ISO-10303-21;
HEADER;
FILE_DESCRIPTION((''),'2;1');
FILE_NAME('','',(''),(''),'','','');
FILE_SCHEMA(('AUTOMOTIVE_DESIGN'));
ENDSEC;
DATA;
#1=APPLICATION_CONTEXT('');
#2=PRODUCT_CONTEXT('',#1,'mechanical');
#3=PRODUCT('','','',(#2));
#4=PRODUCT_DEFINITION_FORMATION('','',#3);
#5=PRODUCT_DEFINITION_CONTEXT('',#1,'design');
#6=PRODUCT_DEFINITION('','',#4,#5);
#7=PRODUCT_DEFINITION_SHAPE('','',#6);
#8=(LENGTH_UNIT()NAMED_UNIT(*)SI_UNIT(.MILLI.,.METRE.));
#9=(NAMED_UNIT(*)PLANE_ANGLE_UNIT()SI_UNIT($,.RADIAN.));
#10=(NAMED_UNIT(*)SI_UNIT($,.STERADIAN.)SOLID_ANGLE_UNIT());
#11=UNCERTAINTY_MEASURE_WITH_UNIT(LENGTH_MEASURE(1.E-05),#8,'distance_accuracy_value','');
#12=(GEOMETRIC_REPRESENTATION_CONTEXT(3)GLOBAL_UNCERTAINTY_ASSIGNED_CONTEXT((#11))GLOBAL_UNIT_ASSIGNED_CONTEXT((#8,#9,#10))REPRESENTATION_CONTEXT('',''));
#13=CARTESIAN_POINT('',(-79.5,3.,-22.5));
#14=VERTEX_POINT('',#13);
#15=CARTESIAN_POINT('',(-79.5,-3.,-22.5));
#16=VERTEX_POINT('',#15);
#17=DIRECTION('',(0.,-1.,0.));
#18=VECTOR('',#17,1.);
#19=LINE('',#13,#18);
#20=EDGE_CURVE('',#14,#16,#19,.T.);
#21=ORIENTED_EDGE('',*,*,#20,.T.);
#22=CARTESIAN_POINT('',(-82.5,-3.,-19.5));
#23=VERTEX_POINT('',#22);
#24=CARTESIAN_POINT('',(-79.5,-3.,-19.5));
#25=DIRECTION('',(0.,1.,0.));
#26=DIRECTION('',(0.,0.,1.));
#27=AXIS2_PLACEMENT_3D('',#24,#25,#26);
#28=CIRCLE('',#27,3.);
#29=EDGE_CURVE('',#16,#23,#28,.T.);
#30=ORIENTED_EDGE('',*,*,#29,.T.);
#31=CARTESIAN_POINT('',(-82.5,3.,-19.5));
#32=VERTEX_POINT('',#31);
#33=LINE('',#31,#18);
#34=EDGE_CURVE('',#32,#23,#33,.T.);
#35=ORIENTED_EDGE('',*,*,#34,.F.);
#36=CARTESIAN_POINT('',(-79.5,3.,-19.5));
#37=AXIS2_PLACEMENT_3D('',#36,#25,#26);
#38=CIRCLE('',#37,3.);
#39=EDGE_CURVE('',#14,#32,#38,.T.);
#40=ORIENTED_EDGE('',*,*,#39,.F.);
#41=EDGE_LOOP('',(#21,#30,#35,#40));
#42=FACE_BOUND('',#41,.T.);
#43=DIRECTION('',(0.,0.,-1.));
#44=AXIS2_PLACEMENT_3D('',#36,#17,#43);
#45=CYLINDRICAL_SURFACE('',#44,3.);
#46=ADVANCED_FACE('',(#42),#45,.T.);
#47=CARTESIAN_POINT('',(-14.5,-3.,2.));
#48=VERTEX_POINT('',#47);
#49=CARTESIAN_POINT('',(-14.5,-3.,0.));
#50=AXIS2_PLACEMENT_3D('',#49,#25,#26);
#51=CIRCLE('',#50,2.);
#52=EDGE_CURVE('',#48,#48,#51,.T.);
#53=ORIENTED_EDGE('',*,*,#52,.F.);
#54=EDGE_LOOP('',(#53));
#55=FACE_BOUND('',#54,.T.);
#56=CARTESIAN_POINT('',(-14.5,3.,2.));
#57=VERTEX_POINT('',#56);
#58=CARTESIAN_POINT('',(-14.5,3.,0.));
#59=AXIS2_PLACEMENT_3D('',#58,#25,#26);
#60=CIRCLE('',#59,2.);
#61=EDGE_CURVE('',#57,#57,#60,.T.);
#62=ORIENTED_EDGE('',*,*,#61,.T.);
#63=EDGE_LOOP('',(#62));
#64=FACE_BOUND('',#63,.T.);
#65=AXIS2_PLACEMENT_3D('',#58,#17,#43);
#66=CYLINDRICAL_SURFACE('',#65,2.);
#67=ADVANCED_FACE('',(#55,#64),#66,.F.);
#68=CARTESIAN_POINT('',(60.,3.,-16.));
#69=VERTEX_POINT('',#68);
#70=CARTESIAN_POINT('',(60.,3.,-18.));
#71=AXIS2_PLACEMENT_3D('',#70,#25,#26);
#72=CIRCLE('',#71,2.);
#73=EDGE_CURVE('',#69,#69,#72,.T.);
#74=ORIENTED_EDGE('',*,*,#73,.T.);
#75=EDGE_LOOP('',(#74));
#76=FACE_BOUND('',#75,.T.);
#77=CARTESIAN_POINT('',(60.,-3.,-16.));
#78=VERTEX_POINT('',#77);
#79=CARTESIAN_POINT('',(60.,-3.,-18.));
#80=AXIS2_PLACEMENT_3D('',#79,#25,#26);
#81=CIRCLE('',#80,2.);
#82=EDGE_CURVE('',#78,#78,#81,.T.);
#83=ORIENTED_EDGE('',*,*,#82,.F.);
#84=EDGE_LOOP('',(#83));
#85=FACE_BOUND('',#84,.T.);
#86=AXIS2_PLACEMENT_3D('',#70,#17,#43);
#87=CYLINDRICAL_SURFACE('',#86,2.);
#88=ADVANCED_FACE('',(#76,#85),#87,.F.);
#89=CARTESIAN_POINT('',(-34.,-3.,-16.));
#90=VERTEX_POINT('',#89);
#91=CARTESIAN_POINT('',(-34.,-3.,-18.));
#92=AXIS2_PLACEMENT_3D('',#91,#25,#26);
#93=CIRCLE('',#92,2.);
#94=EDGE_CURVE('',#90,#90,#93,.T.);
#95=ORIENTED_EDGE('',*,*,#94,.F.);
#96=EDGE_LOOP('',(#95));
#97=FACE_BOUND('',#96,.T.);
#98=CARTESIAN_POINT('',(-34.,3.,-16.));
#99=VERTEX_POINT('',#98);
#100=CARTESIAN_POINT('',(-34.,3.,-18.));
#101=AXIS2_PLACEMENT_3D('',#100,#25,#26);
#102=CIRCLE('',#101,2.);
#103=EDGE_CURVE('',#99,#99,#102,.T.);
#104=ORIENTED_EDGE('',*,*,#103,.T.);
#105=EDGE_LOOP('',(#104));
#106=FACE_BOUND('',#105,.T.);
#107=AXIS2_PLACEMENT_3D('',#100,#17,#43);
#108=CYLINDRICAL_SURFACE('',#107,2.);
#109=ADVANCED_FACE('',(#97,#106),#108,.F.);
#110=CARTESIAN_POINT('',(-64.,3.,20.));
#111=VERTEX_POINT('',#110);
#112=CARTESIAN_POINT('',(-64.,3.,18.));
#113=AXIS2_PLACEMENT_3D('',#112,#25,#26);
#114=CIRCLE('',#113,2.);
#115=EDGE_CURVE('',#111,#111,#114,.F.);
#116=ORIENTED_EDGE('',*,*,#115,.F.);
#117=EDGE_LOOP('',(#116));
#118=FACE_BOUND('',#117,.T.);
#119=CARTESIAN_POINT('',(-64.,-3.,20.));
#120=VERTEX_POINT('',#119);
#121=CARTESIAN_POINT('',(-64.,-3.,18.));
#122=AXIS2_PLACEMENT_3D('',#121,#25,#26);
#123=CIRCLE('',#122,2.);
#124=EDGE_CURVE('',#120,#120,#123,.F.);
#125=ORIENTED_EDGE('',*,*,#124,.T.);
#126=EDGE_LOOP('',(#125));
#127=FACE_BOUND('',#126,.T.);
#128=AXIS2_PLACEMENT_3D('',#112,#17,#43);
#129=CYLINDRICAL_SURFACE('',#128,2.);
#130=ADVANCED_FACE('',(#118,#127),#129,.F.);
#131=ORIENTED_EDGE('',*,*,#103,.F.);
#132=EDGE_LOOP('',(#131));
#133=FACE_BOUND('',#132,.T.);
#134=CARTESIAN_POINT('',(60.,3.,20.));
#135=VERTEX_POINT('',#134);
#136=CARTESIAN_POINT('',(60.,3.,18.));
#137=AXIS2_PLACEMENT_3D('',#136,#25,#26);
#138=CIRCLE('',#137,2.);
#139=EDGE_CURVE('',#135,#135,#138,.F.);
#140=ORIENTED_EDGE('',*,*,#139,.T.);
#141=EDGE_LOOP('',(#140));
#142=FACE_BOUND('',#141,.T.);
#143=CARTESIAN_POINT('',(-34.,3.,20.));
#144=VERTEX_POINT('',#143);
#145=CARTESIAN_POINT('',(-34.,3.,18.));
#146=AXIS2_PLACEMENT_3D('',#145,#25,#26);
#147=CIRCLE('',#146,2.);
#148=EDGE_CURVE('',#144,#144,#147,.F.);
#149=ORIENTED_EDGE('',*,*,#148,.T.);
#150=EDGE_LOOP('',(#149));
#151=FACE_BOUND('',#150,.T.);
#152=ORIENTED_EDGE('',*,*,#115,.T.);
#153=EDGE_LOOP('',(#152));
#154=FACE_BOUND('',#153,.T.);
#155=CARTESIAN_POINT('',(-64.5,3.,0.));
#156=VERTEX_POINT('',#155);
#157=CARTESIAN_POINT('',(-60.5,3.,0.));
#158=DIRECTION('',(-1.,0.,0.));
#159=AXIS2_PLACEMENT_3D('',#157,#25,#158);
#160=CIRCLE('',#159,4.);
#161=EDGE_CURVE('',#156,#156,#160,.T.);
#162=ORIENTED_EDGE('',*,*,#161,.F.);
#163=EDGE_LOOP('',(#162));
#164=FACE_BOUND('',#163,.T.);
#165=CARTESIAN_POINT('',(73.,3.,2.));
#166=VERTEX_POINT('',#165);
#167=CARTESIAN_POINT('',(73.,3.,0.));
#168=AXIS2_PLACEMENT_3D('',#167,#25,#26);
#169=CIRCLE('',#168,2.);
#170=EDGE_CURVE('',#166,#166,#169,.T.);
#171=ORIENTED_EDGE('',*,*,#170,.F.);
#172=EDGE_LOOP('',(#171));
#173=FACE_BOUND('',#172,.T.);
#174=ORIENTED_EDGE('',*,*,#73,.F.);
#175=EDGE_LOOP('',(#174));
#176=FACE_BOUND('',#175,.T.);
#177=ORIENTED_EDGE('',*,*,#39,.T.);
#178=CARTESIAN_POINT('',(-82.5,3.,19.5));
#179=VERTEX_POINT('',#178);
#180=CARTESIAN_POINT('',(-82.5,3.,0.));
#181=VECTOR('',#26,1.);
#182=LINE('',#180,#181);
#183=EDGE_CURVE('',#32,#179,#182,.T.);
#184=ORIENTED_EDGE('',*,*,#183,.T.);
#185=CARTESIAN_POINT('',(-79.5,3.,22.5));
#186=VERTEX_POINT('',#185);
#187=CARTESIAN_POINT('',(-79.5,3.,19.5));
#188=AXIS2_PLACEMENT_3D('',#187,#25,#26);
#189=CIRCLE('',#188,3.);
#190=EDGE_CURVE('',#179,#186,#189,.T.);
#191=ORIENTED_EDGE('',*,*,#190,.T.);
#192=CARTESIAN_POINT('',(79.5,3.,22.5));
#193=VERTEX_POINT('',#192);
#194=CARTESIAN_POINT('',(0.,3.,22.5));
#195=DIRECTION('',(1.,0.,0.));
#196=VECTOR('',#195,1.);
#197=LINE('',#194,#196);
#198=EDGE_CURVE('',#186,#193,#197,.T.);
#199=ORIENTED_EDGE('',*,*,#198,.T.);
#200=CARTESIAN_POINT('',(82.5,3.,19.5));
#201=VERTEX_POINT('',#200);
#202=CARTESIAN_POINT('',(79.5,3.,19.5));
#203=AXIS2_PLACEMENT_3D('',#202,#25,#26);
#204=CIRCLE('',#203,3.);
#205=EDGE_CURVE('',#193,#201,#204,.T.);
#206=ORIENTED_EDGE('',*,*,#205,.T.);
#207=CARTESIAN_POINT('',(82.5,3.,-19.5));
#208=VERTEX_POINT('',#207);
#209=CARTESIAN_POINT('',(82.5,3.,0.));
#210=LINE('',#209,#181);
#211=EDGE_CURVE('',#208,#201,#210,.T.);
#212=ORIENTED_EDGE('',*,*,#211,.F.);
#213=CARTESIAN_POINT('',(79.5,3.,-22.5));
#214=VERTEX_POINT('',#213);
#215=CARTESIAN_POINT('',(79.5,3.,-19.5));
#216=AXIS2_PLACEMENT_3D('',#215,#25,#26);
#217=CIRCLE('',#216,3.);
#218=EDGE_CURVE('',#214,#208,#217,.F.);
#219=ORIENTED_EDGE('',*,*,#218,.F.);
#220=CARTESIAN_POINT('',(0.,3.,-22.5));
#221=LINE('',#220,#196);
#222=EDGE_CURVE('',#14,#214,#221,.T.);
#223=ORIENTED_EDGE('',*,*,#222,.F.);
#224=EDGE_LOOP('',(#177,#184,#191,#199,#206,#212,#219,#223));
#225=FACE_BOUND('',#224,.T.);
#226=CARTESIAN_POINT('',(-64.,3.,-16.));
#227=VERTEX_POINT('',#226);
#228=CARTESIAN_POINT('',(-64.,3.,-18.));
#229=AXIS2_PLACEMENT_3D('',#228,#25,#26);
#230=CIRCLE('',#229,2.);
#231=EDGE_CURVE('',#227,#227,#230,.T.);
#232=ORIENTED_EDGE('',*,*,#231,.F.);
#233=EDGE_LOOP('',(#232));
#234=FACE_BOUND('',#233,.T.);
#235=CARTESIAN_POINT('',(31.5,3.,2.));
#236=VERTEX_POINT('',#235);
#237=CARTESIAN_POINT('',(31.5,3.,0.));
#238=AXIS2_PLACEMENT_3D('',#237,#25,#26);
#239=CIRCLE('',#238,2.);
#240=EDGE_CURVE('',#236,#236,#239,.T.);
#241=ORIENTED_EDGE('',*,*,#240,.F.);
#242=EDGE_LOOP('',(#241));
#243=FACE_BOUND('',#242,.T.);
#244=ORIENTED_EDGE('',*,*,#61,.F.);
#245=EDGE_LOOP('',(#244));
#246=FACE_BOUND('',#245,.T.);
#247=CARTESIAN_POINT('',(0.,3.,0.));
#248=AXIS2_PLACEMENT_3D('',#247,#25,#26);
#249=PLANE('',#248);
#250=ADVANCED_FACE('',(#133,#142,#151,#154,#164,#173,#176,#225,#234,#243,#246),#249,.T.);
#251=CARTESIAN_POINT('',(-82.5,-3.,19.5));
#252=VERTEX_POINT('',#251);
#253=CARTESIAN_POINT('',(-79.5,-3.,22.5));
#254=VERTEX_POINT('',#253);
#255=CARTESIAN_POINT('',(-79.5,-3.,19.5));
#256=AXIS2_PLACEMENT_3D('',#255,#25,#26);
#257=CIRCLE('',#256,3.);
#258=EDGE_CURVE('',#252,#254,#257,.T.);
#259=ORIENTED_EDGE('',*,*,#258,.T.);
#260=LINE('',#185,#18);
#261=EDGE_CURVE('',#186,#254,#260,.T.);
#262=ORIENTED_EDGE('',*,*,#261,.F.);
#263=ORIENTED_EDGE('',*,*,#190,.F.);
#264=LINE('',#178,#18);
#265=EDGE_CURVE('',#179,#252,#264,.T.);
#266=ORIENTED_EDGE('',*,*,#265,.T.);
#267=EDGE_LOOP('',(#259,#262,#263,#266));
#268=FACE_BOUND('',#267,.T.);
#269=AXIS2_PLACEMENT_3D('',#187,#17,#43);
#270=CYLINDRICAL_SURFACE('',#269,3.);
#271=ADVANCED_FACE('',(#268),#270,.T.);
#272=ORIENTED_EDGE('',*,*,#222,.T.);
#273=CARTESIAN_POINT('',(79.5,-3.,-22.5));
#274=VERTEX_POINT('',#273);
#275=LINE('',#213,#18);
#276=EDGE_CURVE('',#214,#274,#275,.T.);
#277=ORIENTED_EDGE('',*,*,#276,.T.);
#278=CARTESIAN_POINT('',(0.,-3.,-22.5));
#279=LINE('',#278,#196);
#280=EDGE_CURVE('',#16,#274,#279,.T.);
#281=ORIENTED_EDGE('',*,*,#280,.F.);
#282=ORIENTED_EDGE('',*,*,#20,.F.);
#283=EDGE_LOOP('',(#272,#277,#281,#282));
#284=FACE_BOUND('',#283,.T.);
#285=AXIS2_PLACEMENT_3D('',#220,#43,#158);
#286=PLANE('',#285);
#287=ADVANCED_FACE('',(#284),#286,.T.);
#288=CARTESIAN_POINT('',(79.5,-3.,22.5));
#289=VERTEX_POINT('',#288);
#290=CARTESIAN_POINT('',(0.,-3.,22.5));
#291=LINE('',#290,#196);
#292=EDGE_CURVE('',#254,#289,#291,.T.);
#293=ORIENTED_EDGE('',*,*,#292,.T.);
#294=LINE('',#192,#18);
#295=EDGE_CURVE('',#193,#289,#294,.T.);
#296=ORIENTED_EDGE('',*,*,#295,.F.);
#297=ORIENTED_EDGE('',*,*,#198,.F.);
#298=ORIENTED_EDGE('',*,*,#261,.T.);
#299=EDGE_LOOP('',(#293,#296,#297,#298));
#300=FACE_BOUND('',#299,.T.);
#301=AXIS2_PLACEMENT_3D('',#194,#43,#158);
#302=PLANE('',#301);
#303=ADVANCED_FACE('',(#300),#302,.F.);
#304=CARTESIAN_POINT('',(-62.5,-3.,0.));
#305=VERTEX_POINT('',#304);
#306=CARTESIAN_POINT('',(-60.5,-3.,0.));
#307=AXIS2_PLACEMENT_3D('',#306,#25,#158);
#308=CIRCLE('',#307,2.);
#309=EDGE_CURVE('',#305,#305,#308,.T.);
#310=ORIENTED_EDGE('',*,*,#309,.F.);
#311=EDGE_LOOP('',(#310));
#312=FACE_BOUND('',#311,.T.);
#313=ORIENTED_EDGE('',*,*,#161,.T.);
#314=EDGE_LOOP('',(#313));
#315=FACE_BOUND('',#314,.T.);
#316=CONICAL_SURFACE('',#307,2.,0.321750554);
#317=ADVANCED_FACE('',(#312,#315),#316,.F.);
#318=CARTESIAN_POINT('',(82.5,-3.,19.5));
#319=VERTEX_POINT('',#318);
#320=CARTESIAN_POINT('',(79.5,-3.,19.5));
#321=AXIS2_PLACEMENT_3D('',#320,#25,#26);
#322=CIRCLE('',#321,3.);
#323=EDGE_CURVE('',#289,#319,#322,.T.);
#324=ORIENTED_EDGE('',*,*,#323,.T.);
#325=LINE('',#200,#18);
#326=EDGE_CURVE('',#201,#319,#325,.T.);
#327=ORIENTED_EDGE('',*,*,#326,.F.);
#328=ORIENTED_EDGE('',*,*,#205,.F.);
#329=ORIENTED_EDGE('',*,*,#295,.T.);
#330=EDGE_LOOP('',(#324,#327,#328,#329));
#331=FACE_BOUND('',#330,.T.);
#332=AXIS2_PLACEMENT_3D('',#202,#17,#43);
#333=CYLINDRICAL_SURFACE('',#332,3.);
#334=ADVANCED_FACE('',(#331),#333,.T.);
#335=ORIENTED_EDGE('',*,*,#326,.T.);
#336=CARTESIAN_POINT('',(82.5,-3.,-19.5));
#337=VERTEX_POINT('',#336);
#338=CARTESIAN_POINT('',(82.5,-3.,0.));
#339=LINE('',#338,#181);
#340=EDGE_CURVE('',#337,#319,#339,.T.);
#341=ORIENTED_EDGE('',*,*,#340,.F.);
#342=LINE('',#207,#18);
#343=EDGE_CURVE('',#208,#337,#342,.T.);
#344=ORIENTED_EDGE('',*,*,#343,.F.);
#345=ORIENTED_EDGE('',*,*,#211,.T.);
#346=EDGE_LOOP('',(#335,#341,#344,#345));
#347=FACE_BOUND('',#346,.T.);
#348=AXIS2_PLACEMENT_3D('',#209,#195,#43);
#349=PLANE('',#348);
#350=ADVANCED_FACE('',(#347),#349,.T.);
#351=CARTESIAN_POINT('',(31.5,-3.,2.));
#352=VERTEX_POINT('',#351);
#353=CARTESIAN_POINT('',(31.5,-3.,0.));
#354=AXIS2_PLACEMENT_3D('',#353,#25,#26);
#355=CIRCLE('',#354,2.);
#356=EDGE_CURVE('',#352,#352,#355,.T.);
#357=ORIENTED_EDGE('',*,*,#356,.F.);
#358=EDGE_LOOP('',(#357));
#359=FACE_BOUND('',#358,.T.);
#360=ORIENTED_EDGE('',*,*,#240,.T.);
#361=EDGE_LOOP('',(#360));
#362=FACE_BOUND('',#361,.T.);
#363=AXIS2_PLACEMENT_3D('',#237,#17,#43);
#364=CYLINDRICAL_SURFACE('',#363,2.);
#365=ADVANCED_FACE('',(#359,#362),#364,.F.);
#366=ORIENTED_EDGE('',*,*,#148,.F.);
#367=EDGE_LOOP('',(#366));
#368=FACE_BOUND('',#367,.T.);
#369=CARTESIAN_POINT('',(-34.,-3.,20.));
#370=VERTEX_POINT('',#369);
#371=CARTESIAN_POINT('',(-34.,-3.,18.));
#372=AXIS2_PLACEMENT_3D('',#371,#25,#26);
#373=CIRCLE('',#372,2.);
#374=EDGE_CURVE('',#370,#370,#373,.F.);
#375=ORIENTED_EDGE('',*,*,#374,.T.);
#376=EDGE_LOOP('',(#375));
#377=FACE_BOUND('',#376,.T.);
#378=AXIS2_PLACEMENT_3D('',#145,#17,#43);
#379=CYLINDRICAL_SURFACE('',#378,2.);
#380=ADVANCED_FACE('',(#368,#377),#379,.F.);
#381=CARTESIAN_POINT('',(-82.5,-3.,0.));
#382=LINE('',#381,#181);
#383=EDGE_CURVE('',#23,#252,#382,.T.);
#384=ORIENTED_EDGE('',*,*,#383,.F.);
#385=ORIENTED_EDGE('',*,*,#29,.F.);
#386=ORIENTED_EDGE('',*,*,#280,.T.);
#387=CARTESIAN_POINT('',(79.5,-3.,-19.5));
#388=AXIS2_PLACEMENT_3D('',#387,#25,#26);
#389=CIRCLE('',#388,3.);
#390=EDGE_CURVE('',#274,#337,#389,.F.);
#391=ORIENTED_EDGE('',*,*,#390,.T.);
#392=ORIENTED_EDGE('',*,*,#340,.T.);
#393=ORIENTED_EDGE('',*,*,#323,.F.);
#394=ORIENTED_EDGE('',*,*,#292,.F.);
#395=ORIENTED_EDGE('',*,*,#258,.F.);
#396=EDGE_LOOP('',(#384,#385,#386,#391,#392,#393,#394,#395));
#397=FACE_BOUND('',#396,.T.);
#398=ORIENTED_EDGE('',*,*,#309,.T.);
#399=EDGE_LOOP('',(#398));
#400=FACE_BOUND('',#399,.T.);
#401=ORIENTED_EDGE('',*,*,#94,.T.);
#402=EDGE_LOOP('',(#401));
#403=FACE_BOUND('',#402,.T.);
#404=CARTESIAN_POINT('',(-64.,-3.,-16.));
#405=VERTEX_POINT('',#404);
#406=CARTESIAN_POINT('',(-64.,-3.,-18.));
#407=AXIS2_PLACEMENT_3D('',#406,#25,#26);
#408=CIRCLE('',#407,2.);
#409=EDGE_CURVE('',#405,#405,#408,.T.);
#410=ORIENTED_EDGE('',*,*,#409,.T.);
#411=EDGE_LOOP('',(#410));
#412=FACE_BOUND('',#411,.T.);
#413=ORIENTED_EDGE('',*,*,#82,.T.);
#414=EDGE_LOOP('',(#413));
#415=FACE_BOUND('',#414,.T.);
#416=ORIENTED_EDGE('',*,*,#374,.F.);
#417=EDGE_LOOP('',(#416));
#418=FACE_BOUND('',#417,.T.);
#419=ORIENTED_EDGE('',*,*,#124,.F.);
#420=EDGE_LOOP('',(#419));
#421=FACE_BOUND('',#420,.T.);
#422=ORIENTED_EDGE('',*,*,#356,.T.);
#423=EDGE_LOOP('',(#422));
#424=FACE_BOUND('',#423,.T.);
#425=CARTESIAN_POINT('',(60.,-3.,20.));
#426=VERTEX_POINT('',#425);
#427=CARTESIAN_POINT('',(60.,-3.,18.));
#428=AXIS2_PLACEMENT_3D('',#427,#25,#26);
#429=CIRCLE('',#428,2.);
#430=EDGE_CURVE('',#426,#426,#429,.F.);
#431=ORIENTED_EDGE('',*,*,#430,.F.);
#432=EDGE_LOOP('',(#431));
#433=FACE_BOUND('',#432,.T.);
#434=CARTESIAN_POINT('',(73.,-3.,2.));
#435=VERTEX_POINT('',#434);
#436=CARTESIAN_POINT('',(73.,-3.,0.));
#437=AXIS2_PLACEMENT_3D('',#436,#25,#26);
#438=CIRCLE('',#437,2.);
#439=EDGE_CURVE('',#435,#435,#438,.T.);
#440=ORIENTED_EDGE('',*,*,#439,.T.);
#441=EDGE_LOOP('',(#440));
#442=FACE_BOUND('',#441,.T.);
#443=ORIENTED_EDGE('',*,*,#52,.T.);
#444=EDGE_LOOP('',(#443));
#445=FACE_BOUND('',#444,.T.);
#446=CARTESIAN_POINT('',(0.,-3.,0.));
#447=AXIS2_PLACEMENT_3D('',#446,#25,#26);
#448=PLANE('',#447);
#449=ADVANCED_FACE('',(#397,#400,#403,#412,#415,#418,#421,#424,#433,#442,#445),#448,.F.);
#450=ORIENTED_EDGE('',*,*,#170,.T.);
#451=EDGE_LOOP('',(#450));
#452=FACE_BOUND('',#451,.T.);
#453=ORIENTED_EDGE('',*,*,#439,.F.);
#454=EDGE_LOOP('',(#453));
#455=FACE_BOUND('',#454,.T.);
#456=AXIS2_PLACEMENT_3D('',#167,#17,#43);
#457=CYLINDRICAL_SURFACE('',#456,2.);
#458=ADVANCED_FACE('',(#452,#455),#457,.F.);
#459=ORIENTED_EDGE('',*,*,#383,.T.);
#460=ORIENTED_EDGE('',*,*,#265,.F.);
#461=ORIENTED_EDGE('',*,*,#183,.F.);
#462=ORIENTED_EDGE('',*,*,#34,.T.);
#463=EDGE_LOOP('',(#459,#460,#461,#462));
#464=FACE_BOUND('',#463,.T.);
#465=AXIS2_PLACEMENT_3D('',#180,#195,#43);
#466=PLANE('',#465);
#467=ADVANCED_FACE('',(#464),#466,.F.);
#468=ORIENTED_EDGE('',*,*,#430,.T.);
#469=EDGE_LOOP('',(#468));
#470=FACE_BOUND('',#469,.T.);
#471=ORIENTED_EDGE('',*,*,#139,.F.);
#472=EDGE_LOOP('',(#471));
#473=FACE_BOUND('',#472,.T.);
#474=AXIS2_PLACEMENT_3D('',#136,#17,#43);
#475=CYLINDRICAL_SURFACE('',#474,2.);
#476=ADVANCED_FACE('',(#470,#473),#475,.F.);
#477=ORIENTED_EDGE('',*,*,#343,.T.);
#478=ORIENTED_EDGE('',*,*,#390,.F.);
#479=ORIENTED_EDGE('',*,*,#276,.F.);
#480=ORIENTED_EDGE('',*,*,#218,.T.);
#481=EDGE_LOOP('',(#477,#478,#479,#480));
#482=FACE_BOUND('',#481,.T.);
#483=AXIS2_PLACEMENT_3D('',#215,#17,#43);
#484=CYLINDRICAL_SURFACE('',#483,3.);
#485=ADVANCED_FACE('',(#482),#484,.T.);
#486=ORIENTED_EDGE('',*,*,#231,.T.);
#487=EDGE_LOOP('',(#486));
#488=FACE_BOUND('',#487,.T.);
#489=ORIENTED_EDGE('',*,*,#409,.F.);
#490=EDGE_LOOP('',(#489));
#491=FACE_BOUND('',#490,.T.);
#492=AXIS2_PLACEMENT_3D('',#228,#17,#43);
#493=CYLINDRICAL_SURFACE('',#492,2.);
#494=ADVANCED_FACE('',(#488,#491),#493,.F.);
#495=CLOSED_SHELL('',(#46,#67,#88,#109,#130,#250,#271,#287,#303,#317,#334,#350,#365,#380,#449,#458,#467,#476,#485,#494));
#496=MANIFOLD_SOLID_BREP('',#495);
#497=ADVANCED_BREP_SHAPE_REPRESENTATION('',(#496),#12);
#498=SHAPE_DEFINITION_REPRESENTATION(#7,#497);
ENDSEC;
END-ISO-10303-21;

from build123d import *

# Parameters (mm, degrees)
SKETCH1_R           = 2
BOSS_EXTRUDE1_DEPTH = 3


with BuildPart() as part:
    # Sketch1 → Boss-Extrude1 (new, symmetric)
    with BuildSketch(Plane(origin=(0, 0, 0), x_dir=(1, 0, 0), z_dir=(0, 1, 0))):
        with BuildLine():
            Line((-79.5, 22.5), (79.5, 22.5))
            ThreePointArc((79.5, 22.5), (81.621320344, 21.621320344), (82.5, 19.5))
            Line((82.5, 19.5), (82.5, -19.5))
            ThreePointArc((82.5, -19.5), (81.621320344, -21.621320344), (79.5, -22.5))
            Line((79.5, -22.5), (-79.5, -22.5))
            ThreePointArc((-79.5, -22.5), (-81.621320344, -21.621320344), (-82.5, -19.5))
            Line((-82.5, -19.5), (-82.5, 19.5))
            ThreePointArc((-82.5, 19.5), (-81.621320344, 21.621320344), (-79.5, 22.5))
        make_face()
        with Locations(Location((-64, 18, 0), (0, 0, 270))):
            Circle(SKETCH1_R, mode=Mode.SUBTRACT)
        with Locations(Location((-34, 18, 0), (0, 0, 270))):
            Circle(SKETCH1_R, mode=Mode.SUBTRACT)
        with Locations(Location((60, 18, 0), (0, 0, 270))):
            Circle(SKETCH1_R, mode=Mode.SUBTRACT)
        with Locations(Location((-60.5, 0, 0), (0, 0, 270))):
            Circle(SKETCH1_R, mode=Mode.SUBTRACT)
        with Locations(Location((-14.5, 0, 0), (0, 0, 270))):
            Circle(SKETCH1_R, mode=Mode.SUBTRACT)
        with Locations(Location((31.5, 0, 0), (0, 0, 270))):
            Circle(SKETCH1_R, mode=Mode.SUBTRACT)
        with Locations(Location((73, 0, 0), (0, 0, 270))):
            Circle(SKETCH1_R, mode=Mode.SUBTRACT)
        with Locations(Location((60, -18, 0), (0, 0, 270))):
            Circle(SKETCH1_R, mode=Mode.SUBTRACT)
        with Locations(Location((-34, -18, 0), (0, 0, 270))):
            Circle(SKETCH1_R, mode=Mode.SUBTRACT)
        with Locations(Location((-64, -18, 0), (0, 0, 270))):
            Circle(SKETCH1_R, mode=Mode.SUBTRACT)
    extrude(amount=BOSS_EXTRUDE1_DEPTH, both=True)

    # Sketch7 → Cut-Revolve1 (revolve, cut)
    with BuildSketch(Plane.XY, mode=Mode.PRIVATE) as cut_revolve1_sk:
        Polygon((-58.5, -3), (-56.5, 3), (-58.5, 3), align=None)
    revolve(cut_revolve1_sk.sketch.rotate(Axis((-60.5, 0, 0), (0, -1, 0)), 180), axis=Axis((-60.5, 0, 0), (0, -1, 0)), mode=Mode.SUBTRACT)


solid = part.part
